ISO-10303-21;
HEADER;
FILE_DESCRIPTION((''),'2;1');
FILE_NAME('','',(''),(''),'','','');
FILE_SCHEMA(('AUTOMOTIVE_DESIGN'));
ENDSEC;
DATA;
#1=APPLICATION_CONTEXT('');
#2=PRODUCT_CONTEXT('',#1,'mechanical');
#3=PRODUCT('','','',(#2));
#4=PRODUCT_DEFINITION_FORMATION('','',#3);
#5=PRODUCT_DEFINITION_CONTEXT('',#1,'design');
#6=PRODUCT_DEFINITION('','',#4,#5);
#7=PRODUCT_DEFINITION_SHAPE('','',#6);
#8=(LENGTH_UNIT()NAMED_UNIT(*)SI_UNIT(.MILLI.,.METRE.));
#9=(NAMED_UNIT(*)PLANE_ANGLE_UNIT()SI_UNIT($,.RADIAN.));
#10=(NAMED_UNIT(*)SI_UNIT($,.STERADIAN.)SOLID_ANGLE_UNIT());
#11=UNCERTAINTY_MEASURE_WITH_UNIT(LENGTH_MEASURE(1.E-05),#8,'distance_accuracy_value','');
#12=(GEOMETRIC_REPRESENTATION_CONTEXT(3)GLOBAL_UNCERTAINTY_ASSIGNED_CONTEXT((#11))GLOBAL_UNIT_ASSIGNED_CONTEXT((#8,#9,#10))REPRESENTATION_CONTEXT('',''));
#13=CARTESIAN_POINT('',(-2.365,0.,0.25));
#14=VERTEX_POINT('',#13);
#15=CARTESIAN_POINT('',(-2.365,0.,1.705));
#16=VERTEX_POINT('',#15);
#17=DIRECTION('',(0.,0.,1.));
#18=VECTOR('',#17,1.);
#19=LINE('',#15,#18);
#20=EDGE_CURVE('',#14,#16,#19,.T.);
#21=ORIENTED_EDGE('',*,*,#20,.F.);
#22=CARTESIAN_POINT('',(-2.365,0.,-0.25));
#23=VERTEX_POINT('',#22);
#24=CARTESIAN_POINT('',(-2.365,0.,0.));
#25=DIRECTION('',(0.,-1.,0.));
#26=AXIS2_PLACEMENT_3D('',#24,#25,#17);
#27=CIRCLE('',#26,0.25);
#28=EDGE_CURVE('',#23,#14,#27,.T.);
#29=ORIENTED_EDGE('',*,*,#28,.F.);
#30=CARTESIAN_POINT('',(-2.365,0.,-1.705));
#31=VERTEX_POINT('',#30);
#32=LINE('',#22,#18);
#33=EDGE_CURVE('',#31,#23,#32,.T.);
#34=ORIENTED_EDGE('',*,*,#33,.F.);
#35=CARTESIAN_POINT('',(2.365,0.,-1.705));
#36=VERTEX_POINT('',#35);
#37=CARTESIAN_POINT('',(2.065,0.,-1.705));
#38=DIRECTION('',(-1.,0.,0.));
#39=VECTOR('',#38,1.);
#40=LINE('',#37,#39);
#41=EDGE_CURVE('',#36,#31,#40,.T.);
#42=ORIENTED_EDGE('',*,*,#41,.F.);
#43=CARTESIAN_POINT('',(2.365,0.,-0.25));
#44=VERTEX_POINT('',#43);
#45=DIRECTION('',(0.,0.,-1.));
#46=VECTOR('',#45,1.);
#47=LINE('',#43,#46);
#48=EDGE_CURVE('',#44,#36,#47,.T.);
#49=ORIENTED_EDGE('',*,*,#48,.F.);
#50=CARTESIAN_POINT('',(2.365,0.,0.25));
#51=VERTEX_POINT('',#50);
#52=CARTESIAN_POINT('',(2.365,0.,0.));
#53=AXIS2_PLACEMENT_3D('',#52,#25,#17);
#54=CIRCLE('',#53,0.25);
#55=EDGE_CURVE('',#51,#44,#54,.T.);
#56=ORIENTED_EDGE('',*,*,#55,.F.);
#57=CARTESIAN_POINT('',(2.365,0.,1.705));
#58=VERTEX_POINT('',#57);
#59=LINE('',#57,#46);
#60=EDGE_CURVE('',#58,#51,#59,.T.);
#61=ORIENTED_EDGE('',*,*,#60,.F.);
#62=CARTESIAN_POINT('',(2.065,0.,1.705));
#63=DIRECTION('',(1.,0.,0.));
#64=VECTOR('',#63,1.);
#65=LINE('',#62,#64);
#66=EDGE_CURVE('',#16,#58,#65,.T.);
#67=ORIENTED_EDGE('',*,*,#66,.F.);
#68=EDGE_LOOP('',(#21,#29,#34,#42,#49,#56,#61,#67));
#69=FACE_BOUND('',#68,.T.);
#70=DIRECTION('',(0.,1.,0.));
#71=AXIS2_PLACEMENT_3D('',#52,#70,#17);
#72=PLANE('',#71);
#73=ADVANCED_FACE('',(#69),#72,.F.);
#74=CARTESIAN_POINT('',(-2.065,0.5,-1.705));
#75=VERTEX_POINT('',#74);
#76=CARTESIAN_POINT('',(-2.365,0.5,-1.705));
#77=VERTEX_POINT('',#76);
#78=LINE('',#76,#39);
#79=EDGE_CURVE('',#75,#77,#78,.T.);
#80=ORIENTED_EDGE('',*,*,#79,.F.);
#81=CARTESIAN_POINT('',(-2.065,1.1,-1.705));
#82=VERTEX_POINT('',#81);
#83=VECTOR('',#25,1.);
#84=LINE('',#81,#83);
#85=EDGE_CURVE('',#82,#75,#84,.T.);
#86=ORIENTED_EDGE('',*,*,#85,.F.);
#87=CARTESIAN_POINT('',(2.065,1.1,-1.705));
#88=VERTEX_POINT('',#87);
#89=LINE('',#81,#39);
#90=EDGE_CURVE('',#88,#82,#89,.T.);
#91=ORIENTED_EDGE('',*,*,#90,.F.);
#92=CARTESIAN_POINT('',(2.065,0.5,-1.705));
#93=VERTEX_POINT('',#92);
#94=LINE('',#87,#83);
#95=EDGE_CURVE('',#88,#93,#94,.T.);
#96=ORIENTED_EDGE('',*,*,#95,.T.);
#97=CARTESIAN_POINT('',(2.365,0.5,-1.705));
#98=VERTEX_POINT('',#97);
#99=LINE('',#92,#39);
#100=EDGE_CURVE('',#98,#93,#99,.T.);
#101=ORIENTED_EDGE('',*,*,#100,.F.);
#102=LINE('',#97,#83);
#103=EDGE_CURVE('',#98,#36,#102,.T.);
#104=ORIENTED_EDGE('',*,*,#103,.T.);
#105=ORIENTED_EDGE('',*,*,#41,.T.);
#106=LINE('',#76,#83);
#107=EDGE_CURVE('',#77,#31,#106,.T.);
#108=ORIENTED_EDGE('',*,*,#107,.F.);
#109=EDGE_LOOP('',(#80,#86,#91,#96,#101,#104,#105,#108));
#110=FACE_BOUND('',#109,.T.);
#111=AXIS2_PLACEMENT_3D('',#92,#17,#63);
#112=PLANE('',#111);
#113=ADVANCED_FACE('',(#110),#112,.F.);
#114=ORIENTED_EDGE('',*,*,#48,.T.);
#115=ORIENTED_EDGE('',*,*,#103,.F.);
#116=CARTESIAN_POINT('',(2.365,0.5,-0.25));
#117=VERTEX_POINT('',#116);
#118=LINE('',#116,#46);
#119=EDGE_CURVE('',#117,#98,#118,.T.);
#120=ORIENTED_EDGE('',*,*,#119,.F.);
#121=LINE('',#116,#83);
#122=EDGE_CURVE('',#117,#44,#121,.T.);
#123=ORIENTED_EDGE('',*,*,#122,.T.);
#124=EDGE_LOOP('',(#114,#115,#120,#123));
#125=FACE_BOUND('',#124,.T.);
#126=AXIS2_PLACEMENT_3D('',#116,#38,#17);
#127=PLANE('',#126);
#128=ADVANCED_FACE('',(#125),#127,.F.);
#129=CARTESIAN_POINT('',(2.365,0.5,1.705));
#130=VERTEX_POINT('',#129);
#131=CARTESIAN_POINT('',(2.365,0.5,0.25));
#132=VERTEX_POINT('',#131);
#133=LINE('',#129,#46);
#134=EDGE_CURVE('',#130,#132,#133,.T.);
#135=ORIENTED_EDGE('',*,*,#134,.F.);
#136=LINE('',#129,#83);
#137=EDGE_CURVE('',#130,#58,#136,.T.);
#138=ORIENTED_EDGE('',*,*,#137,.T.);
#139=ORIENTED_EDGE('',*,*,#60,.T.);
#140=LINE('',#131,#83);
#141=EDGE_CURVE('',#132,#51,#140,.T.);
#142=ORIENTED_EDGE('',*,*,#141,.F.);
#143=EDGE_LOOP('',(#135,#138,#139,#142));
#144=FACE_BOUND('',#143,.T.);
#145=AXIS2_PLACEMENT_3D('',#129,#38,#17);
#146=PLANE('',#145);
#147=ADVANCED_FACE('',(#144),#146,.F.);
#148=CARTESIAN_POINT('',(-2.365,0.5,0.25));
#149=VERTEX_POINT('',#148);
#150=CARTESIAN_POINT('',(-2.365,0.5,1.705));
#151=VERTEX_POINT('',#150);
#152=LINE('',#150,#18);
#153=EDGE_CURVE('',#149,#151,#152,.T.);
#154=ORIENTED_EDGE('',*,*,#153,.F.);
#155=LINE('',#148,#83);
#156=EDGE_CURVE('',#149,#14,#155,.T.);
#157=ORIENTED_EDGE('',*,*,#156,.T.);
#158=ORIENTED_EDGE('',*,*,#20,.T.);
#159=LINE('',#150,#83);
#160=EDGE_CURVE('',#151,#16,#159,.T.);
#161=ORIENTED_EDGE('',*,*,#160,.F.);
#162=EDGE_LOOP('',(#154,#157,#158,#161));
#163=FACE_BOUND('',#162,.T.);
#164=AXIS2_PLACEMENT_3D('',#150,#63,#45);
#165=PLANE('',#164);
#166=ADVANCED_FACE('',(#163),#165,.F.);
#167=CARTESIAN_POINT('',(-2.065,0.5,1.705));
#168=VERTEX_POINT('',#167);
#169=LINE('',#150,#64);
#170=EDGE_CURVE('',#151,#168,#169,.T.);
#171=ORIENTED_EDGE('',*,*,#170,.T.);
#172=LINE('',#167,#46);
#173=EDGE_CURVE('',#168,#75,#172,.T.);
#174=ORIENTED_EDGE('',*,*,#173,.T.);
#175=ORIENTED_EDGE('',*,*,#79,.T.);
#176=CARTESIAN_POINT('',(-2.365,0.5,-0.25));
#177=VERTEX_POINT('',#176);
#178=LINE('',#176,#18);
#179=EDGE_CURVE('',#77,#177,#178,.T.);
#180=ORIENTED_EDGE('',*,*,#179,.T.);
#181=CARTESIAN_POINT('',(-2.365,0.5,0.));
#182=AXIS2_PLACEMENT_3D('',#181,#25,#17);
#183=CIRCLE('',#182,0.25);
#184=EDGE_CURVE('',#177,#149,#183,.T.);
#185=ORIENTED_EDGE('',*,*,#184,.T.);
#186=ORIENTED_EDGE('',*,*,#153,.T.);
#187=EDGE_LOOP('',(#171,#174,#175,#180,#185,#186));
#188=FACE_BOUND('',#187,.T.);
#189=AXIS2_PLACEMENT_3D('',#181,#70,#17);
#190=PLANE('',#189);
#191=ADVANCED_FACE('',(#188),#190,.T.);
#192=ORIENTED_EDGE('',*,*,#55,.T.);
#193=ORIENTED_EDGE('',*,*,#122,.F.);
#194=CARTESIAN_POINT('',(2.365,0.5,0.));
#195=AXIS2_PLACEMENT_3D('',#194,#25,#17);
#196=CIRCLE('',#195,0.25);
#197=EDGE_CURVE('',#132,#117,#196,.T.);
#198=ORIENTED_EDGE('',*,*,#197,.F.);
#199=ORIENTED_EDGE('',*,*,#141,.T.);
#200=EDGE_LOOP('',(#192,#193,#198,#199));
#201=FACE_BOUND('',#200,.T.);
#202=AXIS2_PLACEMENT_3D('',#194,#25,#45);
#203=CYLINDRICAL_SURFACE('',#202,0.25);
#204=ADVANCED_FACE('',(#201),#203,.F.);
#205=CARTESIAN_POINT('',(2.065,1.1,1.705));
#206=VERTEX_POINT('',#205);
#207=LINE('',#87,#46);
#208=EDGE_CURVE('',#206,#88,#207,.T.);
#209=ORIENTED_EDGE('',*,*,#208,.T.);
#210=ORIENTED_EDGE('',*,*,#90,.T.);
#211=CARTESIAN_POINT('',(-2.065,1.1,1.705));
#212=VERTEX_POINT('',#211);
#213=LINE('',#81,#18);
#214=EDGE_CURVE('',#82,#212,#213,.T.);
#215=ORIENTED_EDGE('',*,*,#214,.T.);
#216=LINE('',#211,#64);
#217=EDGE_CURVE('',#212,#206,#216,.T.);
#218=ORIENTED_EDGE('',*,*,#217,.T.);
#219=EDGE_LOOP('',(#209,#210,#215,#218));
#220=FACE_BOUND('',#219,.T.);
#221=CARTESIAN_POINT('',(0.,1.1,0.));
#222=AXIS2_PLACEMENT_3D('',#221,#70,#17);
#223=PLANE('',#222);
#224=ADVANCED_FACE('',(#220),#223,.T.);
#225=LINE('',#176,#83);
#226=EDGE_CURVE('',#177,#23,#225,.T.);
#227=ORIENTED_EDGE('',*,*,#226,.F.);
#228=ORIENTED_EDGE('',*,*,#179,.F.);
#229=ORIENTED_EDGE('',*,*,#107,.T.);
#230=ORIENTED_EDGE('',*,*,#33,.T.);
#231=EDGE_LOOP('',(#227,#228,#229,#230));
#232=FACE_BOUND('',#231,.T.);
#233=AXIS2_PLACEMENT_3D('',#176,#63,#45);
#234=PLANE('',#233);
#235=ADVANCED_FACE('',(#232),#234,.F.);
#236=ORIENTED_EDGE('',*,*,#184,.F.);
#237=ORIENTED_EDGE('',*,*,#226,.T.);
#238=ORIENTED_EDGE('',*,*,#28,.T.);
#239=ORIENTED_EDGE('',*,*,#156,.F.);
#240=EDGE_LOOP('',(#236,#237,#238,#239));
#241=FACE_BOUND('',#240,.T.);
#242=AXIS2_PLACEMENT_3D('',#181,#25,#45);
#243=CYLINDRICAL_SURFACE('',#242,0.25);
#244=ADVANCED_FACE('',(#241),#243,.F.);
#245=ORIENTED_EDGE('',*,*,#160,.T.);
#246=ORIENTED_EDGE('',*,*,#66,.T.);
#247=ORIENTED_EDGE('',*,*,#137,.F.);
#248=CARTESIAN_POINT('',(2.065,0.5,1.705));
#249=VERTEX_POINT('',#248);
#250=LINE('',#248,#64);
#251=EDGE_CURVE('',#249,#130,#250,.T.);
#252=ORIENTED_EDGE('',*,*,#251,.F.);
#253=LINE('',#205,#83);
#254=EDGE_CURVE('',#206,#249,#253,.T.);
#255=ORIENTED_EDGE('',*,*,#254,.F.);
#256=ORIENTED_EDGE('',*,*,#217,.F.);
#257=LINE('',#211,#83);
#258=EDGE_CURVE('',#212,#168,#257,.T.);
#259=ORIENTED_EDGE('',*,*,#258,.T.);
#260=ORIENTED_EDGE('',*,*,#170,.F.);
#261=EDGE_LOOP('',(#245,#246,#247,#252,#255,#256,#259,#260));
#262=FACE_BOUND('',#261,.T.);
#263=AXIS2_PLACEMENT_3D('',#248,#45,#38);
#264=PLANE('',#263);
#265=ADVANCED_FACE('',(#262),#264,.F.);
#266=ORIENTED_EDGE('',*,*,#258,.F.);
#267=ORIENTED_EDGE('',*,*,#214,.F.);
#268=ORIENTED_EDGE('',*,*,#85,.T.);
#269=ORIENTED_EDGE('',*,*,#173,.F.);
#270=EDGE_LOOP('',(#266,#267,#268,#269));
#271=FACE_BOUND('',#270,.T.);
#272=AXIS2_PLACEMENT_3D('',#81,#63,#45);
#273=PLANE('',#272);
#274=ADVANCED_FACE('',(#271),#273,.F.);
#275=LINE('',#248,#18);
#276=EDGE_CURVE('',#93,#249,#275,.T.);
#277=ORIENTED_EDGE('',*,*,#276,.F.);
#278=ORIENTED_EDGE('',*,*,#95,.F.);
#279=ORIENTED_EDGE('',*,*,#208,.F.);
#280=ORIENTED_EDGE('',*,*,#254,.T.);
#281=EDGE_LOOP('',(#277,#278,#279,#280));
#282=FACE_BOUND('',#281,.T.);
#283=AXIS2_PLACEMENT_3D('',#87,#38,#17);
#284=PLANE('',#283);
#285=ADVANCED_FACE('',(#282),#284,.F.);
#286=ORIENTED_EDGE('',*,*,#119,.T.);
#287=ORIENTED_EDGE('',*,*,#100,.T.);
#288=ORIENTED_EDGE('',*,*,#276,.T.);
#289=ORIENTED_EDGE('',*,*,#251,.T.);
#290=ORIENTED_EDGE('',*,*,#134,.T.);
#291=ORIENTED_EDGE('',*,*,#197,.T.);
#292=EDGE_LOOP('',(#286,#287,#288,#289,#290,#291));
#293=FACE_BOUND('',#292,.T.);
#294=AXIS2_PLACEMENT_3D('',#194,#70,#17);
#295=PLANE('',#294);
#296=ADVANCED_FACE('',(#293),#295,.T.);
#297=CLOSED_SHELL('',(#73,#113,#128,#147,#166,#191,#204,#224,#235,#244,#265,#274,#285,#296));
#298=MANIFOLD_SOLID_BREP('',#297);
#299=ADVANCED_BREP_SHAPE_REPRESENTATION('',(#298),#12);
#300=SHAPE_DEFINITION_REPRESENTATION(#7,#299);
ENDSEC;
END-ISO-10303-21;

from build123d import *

# Parameters (mm, degrees)
EXTRUDE_1_DEPTH   = 0.5
EXTRUDE_1_2_DEPTH = 0.5
SKETCH_2_W        = 4.13
SKETCH_2_H        = 3.41
EXTRUDE_2_DEPTH   = 1.1


with BuildPart() as part:
    # 草图1 → 凸台-拉伸1 (new body)
    with BuildSketch(Plane(origin=(0, 0, 0), x_dir=(1, 0, 0), z_dir=(0, 1, 0))):
        with BuildLine():
            Line((-2.365, -1.705), (-2.065, -1.705))
            Line((-2.065, -1.705), (-2.065, 1.705))
            Line((-2.065, 1.705), (-2.365, 1.705))
            Line((-2.365, 1.705), (-2.365, 0.25))
            ThreePointArc((-2.365, 0.25), (-2.115, 0), (-2.365, -0.25))
            Line((-2.365, -0.25), (-2.365, -1.705))
        make_face()
    extrude(amount=EXTRUDE_1_DEPTH)



with BuildPart() as body_2:
    # 草图1 → Extrude 1 2 (new body)
    with BuildSketch(Plane(origin=(0, 0, 0), x_dir=(1, 0, 0), z_dir=(0, 1, 0))):
        with BuildLine():
            Line((2.365, -1.705), (2.365, -0.25))
            ThreePointArc((2.365, -0.25), (2.115, 0), (2.365, 0.25))
            Line((2.365, 0.25), (2.365, 1.705))
            Line((2.365, 1.705), (2.065, 1.705))
            Line((2.065, 1.705), (2.065, -1.705))
            Line((2.065, -1.705), (2.365, -1.705))
        make_face()
    extrude(amount=EXTRUDE_1_2_DEPTH)


with BuildPart() as part_1:
    add(part.part)

    add(body_2.part)  # 凸台-拉伸2 merges body 2
    # 草图2 → 凸台-拉伸2 (add)
    with BuildSketch(Plane(origin=(0, 0, 0), x_dir=(1, 0, 0), z_dir=(0, 1, 0))):
        Rectangle(SKETCH_2_W, SKETCH_2_H)
    extrude(amount=EXTRUDE_2_DEPTH)


solid = part_1.part
